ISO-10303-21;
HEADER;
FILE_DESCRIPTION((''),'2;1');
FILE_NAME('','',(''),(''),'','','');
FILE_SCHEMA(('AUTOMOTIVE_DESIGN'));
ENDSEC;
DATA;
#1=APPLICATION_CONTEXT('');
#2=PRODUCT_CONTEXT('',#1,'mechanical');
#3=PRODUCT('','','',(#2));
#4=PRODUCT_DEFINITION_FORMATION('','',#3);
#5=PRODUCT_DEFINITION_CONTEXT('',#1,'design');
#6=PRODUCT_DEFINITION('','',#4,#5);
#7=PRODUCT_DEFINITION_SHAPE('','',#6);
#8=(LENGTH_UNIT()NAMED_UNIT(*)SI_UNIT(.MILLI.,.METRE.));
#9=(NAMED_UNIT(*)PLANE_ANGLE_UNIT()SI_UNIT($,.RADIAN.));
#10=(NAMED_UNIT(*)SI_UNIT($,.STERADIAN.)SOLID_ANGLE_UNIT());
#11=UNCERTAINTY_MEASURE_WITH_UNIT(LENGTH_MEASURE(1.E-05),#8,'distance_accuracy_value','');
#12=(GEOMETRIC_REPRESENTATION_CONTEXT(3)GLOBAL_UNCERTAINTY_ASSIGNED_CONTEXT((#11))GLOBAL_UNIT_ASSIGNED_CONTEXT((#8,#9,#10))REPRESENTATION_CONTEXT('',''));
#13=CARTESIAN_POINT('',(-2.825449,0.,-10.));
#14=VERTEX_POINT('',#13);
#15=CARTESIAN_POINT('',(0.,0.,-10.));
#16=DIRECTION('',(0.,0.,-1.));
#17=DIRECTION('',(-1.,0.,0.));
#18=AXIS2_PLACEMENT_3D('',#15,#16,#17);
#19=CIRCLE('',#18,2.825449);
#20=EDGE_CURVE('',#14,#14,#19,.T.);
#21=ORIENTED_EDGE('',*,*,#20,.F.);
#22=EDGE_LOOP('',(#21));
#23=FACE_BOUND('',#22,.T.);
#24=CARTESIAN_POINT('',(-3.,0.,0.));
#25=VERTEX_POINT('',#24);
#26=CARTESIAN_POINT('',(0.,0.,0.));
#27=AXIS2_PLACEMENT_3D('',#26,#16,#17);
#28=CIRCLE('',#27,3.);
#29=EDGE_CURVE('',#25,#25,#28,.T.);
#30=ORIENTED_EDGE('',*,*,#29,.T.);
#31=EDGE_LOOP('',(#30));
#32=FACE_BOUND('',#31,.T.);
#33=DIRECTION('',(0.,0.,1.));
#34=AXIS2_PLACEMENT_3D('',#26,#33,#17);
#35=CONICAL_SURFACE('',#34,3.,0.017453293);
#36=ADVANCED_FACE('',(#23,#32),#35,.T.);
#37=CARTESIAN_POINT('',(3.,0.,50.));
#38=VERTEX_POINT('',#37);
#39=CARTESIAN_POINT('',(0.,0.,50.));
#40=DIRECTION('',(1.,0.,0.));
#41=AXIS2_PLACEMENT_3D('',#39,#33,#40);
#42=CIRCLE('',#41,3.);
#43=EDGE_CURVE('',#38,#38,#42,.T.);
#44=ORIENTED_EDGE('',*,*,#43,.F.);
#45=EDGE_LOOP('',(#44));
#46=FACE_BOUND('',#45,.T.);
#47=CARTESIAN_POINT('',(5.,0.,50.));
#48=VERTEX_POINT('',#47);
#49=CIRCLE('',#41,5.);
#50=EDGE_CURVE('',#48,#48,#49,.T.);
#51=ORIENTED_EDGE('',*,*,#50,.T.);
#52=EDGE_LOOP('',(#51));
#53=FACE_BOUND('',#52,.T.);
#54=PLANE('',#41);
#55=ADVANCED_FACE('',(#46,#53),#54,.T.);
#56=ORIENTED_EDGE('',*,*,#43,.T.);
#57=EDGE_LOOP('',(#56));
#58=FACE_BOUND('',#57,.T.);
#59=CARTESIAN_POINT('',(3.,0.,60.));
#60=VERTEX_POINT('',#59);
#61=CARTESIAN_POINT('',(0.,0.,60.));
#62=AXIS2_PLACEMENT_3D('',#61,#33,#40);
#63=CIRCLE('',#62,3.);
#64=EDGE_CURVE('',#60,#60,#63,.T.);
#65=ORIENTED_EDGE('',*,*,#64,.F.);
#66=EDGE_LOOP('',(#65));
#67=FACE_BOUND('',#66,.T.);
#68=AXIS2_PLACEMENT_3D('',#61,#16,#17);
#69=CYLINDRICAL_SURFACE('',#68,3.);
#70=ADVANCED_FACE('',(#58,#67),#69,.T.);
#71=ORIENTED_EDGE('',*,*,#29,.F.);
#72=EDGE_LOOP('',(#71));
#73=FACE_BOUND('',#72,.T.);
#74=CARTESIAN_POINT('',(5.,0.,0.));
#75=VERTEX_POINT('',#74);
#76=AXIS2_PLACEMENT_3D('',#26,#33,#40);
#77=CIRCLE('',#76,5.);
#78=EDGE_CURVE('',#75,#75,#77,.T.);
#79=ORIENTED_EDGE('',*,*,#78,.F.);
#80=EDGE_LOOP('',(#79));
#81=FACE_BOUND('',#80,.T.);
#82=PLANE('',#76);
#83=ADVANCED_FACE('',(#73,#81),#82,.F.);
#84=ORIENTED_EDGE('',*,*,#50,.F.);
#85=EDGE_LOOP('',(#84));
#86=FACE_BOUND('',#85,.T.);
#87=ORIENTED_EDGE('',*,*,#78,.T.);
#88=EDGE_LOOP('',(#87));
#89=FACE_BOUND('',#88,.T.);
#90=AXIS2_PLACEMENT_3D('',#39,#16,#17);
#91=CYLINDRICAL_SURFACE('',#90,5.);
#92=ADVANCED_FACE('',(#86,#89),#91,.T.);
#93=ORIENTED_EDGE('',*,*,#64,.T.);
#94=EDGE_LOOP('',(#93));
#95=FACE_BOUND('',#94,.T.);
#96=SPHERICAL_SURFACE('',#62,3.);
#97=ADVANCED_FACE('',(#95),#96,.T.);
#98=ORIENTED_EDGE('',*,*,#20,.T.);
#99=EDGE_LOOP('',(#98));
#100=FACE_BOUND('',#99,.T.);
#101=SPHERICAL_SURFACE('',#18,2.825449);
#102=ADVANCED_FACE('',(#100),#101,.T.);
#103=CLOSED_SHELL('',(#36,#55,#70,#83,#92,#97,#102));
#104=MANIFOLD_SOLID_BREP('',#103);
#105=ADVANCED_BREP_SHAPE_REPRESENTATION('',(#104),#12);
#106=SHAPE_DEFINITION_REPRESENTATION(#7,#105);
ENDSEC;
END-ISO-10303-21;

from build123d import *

# Parameters (mm, degrees)
SKETCH2_R           = 5
BOSS_EXTRUDE1_DEPTH = 50
SKETCH3_R           = 3
BOSS_EXTRUDE2_DEPTH = 10
BOSS_EXTRUDE2_TAPER = 1
SKETCH5_R           = 3
BOSS_EXTRUDE3_DEPTH = 10


with BuildPart() as part:
    # Sketch2 → Boss-Extrude1 (new body)
    with BuildSketch(Plane.XY):
        Circle(SKETCH2_R)
    extrude(amount=BOSS_EXTRUDE1_DEPTH)

    # Sketch3 → Boss-Extrude2 (add)
    with BuildSketch(Plane(origin=(0, 0, 0), x_dir=(-1, 0, 0), z_dir=(0, 0, -1))):
        Circle(SKETCH3_R)
    extrude(amount=BOSS_EXTRUDE2_DEPTH, taper=BOSS_EXTRUDE2_TAPER)

    # Sketch4 → Revolve1 (revolve)
    with BuildSketch(Plane(origin=(0, 0, -10), x_dir=(-1, 0, 0), z_dir=(0, 0, -1))):
        with BuildLine():
            Line((0, 2.825449351), (0, -2.825449351))
            ThreePointArc((0, -2.825449351), (-2.825449351, 0), (0, 2.825449351))
        make_face()
    revolve(axis=Axis((0, 2.825449351, -10), (0, -1, 0)))

    # Sketch5 → Boss-Extrude3 (add)
    with BuildSketch(Plane.XY.offset(50)):
        Circle(SKETCH5_R)
    extrude(amount=BOSS_EXTRUDE3_DEPTH)

    # Sketch6 → Revolve2 (revolve)
    with BuildSketch(Plane.XY.offset(60)):
        with BuildLine():
            Line((0, 3), (0, -3))
            ThreePointArc((0, -3), (-3, 0), (0, 3))
        make_face()
    revolve(axis=Axis((0, 3, 60), (0, -1, 0)))


solid = part.part
